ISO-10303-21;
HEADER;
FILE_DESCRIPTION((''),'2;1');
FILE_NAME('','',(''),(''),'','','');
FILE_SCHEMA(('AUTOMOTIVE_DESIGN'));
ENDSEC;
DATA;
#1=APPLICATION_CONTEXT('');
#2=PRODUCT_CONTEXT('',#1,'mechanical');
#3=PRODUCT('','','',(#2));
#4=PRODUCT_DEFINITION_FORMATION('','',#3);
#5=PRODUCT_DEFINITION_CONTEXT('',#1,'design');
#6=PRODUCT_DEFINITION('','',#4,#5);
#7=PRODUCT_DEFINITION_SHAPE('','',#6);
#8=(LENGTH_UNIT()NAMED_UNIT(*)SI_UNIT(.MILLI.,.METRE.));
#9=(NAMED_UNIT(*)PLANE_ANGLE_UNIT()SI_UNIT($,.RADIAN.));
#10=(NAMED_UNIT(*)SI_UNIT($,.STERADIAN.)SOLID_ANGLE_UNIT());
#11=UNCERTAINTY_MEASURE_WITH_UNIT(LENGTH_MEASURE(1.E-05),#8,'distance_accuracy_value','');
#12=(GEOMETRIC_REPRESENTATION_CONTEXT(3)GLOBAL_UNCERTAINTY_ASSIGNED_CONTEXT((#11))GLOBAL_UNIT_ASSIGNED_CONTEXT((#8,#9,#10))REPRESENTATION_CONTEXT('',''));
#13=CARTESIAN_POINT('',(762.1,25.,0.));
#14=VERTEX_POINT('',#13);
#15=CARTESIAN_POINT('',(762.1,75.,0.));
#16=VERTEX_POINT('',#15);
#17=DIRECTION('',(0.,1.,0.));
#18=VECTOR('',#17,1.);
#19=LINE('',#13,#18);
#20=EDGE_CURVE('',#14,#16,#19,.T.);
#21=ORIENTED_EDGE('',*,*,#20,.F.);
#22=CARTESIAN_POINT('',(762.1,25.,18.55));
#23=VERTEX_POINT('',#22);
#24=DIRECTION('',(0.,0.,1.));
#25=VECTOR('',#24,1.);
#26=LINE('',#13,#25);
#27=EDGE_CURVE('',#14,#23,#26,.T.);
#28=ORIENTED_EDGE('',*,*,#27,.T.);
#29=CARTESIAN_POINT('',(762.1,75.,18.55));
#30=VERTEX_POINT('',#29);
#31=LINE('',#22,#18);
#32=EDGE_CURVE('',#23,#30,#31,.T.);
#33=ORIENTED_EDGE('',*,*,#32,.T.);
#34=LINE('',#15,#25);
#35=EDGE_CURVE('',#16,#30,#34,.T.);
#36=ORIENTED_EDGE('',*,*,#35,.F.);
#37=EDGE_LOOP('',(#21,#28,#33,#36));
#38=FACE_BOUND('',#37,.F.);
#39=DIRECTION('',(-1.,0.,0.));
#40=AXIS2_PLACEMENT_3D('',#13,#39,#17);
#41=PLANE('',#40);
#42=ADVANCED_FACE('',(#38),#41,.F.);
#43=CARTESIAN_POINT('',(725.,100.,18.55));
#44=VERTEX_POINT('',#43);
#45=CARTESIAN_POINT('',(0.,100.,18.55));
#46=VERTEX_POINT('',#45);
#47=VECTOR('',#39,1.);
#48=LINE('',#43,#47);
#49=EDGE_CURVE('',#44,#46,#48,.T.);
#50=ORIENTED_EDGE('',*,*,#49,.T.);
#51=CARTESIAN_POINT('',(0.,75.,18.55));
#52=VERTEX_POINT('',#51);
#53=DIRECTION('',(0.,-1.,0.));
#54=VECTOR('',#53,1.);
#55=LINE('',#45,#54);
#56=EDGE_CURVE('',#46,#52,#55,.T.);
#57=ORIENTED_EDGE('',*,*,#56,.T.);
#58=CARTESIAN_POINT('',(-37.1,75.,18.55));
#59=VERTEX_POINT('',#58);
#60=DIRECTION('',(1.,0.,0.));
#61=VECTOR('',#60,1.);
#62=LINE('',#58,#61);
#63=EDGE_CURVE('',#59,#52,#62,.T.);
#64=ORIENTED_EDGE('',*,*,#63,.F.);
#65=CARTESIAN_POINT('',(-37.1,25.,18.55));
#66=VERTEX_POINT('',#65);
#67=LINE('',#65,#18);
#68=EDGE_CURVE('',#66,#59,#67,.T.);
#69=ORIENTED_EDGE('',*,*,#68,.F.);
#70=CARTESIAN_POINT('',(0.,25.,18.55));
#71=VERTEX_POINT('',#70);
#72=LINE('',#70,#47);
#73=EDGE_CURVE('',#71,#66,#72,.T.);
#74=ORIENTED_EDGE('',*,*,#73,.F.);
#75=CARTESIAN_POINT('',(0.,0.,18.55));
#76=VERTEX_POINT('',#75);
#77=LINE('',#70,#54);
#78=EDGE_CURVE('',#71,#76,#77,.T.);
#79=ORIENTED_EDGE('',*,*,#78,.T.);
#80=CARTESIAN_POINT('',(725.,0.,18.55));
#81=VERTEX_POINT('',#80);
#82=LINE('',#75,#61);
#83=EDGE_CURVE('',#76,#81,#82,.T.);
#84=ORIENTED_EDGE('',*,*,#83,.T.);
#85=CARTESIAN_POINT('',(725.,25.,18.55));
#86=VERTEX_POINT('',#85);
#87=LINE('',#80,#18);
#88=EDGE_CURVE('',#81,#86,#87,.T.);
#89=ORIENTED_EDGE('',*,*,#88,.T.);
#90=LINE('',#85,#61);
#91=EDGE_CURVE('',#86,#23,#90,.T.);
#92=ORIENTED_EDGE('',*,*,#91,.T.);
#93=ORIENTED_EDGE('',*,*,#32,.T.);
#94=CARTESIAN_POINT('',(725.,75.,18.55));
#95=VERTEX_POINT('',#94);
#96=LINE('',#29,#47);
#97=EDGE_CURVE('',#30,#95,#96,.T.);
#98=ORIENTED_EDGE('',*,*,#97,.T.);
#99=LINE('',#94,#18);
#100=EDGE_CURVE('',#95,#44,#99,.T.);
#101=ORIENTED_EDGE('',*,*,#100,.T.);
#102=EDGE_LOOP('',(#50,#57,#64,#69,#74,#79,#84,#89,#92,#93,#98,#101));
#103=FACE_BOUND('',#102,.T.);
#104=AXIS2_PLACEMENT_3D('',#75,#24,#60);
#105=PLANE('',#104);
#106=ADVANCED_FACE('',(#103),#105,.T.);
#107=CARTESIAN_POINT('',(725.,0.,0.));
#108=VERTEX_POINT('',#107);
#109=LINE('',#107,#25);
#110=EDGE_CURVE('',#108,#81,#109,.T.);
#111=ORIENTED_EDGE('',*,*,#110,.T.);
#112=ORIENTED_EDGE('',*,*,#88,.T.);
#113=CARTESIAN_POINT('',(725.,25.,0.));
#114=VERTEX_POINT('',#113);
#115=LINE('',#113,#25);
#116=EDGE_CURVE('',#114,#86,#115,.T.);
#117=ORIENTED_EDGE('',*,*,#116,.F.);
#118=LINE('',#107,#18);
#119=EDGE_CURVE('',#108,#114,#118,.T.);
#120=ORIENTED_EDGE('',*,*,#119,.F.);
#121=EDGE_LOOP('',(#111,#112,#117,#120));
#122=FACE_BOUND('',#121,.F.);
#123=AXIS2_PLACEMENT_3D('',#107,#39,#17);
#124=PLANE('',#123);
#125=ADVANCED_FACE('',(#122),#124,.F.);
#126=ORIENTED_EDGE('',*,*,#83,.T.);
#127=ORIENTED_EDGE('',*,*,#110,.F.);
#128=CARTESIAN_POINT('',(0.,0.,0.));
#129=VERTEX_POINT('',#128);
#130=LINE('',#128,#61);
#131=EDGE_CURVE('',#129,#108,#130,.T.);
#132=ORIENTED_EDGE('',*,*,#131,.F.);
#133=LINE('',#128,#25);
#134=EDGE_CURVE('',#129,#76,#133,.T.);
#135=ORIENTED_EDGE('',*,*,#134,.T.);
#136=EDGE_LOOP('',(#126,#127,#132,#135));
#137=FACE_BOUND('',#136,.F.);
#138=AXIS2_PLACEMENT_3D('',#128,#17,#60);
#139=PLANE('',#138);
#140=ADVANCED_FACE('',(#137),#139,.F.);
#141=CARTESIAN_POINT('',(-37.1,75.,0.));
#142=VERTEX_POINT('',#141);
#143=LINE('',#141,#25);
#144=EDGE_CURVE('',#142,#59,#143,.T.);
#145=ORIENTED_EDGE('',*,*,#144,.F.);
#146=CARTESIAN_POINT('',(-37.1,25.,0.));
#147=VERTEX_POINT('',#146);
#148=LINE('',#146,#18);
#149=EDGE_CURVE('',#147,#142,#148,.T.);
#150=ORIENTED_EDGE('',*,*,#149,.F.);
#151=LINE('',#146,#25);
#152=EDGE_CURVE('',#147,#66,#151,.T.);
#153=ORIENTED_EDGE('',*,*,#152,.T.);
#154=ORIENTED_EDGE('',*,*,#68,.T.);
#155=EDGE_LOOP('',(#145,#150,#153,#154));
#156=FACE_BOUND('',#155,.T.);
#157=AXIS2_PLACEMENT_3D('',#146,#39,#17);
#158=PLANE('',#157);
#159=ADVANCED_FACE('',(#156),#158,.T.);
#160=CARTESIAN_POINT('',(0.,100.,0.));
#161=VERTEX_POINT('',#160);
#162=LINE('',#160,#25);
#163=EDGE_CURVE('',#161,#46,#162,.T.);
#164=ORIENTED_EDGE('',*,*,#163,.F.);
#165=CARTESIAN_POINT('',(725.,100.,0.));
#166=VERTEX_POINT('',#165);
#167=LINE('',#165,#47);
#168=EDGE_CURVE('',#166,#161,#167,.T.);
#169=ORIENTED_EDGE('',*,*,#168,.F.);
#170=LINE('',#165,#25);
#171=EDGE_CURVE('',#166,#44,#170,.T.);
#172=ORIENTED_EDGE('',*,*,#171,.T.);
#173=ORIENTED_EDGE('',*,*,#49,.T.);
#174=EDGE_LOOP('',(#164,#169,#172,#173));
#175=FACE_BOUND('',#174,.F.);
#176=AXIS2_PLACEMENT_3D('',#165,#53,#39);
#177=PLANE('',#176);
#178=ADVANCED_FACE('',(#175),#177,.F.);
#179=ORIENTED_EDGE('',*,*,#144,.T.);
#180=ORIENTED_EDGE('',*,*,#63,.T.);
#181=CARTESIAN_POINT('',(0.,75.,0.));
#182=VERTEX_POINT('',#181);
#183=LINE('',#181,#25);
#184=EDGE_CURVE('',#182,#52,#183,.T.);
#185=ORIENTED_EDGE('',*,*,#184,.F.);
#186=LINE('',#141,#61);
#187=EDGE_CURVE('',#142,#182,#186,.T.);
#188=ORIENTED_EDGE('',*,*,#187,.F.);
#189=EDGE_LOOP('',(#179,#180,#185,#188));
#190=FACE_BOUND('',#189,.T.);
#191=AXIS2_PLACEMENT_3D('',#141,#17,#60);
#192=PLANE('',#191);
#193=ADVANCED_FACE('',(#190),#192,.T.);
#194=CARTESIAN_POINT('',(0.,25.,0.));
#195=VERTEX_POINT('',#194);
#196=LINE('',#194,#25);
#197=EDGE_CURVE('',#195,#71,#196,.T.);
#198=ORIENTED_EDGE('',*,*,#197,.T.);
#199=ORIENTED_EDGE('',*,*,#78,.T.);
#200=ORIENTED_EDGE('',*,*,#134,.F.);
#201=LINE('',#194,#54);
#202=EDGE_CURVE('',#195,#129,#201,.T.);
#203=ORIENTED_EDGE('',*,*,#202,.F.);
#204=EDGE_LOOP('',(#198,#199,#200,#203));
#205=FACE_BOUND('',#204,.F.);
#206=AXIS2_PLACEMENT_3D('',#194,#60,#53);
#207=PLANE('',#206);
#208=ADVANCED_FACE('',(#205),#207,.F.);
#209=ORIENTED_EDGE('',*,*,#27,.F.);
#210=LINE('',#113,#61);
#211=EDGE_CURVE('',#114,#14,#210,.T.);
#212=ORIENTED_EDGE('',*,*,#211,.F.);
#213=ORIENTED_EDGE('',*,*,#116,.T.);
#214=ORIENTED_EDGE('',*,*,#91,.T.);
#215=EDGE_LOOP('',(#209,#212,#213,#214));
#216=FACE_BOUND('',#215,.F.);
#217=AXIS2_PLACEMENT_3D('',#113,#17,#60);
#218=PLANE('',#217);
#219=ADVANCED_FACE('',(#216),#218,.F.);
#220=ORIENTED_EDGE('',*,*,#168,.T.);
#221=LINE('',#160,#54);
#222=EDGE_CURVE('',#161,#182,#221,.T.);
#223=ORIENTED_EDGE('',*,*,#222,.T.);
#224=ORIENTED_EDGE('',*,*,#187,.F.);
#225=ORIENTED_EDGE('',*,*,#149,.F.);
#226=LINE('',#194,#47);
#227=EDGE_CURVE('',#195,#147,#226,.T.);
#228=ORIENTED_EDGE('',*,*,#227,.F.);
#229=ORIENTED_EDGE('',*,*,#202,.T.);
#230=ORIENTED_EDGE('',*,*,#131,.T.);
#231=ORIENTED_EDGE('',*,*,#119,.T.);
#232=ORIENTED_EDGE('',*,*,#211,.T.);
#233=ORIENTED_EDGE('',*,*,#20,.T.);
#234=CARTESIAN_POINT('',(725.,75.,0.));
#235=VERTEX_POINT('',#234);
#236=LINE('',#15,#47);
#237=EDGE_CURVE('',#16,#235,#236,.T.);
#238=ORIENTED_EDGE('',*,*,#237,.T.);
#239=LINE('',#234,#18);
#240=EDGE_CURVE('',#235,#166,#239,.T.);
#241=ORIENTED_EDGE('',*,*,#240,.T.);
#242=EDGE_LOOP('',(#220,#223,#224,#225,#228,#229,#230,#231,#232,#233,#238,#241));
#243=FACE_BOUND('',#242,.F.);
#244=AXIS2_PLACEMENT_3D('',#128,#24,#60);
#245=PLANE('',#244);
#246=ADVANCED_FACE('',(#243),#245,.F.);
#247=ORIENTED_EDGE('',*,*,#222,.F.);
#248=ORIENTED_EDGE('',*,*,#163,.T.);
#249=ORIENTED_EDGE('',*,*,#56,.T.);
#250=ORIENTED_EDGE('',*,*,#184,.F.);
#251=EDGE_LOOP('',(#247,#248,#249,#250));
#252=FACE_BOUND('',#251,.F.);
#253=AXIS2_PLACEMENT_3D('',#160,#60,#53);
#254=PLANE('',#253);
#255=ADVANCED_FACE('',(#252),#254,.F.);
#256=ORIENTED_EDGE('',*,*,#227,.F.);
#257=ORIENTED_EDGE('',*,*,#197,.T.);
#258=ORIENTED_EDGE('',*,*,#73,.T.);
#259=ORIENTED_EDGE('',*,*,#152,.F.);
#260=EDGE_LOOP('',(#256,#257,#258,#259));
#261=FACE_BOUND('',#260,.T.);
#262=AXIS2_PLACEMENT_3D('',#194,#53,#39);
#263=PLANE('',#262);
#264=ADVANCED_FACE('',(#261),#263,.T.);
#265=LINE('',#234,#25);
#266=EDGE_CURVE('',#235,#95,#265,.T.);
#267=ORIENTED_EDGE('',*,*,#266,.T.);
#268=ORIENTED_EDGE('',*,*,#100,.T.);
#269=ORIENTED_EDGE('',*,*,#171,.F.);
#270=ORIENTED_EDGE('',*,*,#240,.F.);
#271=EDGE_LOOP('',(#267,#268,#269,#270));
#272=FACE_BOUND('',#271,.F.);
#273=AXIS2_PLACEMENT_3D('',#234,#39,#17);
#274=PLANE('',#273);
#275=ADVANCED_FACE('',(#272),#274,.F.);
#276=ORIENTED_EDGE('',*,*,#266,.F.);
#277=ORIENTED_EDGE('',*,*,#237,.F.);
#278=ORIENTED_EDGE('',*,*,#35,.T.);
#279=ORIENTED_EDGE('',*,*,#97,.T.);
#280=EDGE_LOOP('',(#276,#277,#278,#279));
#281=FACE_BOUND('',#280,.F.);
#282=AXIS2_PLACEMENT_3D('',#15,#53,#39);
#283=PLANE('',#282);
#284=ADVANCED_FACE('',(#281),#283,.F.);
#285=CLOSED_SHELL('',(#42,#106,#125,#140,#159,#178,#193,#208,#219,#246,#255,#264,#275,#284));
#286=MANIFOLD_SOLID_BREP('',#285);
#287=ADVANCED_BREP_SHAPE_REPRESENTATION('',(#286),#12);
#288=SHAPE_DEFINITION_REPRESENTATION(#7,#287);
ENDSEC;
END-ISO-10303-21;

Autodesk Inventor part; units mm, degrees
ref_plane "YZ Plane" through (0, 0, 0) normal (1, 0, 0) x (0, 1, 0)
ref_plane "XZ Plane" through (0, 0, 0) normal (0, 1, 0) x (-1, 0, 0)
ref_plane "XY Plane" through (0, 0, 0) normal (0, 0, 1) x (1, 0, 0)
sketch "Sketch1" plane through (0, 0, 0) normal (0, 0, 1) x (1, 0, 0)
  line L0 (0, 0) -> (725, 0)
  line L1 (725, 100) -> (0, 100)
  line L2 (0, 25) -> (-37.1, 25)
  line L3 (-37.1, 25) -> (-37.1, 75)
  line L4 (-37.1, 75) -> (0, 75)
  line L5 (725, 25) -> (762.1, 25)
  line L6 (762.1, 25) -> (762.1, 75)
  line L7 (762.1, 75) -> (725, 75)
  line L8 (0, 100) -> (0, 75)
  line L9 (0, 25) -> (0, 0)
  line L10 (725, 0) -> (725, 25)
  line L11 (725, 75) -> (725, 100)
  dimension "d0" = 100
  dimension "d1" = 725
  dimension "d2" = 25
  dimension "d3" = 25
  dimension "d5" = 37.1
extrude "Extrusion1" add sketch "Sketch1" along normal blind 18.55
properties part number "Jonction"
